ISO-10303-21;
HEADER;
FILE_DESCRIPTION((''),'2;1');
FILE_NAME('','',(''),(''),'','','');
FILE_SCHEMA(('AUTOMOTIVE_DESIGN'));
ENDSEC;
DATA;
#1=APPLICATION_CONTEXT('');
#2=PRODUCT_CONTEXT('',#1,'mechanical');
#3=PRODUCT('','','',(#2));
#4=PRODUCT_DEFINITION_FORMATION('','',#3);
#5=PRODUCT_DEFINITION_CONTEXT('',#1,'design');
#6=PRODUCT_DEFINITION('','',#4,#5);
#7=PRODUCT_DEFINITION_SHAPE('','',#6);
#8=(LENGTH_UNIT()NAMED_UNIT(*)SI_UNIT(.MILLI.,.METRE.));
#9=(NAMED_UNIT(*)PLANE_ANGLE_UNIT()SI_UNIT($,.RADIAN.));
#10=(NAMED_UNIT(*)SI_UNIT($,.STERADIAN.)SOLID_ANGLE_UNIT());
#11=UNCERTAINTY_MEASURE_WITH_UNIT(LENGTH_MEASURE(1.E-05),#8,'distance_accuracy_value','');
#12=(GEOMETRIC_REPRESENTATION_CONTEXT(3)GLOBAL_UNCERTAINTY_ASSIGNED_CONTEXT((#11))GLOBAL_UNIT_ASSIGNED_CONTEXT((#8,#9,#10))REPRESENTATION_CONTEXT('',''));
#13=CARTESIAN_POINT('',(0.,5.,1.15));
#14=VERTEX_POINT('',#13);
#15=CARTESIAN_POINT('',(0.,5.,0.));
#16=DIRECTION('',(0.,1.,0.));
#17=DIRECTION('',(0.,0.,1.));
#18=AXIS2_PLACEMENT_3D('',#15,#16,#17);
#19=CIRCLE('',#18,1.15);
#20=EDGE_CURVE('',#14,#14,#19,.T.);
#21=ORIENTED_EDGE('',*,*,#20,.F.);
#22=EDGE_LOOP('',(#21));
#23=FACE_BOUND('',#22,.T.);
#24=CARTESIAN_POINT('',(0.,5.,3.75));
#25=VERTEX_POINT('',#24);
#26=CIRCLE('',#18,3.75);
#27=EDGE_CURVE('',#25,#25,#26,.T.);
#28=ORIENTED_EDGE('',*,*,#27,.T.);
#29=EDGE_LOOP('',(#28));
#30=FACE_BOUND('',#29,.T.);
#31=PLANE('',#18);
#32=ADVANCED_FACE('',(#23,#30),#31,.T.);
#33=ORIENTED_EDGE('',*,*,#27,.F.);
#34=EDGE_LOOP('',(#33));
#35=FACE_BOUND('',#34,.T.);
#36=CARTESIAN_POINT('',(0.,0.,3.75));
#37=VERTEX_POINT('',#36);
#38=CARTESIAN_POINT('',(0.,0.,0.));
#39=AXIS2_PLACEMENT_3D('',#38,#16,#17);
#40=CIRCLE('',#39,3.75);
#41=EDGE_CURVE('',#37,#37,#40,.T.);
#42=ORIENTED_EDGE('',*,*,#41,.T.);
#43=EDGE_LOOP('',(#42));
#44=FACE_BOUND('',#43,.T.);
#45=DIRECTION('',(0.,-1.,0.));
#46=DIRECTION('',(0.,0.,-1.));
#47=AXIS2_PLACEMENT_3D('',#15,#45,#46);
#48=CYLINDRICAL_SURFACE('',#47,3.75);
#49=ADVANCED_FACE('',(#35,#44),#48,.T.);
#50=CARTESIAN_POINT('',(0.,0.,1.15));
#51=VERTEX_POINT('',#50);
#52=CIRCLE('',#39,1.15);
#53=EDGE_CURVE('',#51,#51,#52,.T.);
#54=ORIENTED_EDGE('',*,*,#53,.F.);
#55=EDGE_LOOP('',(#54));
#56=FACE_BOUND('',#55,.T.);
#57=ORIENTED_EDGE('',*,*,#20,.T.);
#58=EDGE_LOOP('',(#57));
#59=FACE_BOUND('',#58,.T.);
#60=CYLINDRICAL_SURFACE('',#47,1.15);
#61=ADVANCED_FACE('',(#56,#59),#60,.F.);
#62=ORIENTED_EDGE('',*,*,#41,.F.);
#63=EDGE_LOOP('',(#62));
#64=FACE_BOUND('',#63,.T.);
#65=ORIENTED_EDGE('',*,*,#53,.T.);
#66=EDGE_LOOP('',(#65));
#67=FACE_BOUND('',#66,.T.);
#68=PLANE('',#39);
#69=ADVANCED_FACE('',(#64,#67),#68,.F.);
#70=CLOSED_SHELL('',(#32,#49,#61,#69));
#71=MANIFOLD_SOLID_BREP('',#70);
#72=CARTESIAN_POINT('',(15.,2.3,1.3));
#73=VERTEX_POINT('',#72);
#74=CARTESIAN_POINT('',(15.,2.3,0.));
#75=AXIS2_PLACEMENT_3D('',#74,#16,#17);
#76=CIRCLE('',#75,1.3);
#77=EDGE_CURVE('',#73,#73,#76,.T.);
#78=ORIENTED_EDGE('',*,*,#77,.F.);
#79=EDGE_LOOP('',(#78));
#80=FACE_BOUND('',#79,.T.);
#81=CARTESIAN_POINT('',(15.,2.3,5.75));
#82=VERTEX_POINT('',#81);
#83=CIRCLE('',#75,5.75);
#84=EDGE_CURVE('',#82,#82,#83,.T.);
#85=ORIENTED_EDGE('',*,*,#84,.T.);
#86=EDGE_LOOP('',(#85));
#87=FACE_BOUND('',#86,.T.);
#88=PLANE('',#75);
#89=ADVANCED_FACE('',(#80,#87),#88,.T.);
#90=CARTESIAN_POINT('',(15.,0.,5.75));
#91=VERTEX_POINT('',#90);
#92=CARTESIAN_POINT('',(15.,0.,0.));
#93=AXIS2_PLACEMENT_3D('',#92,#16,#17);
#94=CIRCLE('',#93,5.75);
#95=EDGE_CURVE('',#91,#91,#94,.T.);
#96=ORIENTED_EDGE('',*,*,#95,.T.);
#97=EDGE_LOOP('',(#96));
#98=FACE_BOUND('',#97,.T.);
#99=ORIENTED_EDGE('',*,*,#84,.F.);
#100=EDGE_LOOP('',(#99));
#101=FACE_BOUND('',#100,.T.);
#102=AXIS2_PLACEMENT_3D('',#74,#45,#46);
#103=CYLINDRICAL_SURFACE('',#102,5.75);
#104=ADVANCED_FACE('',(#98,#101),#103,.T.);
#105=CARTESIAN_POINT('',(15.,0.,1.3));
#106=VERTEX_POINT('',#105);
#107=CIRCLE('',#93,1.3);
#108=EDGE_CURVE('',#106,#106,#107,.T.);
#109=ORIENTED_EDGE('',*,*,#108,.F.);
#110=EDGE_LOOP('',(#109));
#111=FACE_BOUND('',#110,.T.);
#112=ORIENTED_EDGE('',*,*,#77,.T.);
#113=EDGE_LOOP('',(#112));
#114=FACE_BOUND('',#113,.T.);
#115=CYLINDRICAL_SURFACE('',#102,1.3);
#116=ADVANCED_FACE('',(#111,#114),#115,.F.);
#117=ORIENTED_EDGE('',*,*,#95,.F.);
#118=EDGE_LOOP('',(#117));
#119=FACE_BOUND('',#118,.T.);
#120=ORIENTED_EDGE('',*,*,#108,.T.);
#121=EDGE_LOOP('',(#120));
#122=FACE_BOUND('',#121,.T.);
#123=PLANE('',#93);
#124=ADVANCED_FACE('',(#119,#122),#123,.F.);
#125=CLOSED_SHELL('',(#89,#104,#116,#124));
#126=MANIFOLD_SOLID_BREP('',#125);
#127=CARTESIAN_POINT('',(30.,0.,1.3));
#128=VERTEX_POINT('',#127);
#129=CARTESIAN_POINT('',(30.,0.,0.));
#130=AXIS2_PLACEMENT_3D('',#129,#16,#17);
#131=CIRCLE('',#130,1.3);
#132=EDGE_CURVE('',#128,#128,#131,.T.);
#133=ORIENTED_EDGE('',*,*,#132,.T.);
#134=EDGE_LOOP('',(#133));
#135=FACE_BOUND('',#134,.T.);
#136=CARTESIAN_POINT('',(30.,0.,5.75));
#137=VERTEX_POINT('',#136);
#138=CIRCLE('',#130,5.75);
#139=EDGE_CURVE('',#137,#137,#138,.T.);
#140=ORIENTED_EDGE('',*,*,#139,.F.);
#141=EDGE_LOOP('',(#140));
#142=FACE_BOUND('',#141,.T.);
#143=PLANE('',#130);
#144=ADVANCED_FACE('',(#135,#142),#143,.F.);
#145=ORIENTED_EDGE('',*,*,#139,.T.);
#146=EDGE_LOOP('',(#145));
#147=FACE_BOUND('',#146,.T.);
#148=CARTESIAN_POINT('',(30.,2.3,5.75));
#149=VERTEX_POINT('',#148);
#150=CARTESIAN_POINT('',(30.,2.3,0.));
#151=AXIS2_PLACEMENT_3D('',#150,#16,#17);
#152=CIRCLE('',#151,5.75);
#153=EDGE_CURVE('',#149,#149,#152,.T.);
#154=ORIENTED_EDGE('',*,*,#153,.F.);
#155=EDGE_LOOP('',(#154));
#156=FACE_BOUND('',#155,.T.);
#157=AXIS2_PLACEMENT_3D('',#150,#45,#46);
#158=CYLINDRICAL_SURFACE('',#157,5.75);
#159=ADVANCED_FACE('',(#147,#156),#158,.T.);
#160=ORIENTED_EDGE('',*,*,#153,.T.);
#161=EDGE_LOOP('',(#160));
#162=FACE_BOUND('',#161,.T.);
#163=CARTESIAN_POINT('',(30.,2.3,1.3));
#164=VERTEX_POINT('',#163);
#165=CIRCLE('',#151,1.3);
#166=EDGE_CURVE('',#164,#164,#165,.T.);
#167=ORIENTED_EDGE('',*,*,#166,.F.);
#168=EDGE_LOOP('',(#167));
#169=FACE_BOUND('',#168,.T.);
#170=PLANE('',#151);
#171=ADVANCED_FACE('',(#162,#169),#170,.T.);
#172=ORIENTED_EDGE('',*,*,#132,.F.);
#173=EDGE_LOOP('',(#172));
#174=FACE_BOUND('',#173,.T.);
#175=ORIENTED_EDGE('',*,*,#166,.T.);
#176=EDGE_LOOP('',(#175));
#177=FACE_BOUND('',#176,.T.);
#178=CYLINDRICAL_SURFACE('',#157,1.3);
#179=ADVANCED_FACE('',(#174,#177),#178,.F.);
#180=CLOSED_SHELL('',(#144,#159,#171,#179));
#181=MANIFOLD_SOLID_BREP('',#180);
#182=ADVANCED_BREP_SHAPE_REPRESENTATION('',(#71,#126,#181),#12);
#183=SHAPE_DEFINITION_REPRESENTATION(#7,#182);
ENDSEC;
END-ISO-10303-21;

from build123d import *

# Parameters (mm, degrees)
SKETCH1_R             = 3.75
SKETCH1_R_2           = 1.15
BOSS_EXTRUDE1_DEPTH   = 5
SKETCH2_R             = 5.75
SKETCH2_R_2           = 1.3
BOSS_EXTRUDE2_DEPTH   = 2.3
BOSS_EXTRUDE2_2_DEPTH = 2.3


with BuildPart() as part:
    # Sketch1 → Boss-Extrude1 (new body)
    with BuildSketch(Plane(origin=(0, 0, 0), x_dir=(1, 0, 0), z_dir=(0, 1, 0))):
        Circle(SKETCH1_R)
        Circle(SKETCH1_R_2, mode=Mode.SUBTRACT)
    extrude(amount=BOSS_EXTRUDE1_DEPTH)


with BuildPart() as body_2:
    # Sketch2 → Boss-Extrude2 (new body)
    with BuildSketch(Plane(origin=(0, 0, 0), x_dir=(1, 0, 0), z_dir=(0, 1, 0))):
        with Locations((15, 0)):
            Circle(SKETCH2_R)
        with Locations((15, 0)):
            Circle(SKETCH2_R_2, mode=Mode.SUBTRACT)
    extrude(amount=BOSS_EXTRUDE2_DEPTH)


with BuildPart() as body_3:
    # Sketch2 → Boss-Extrude2 2 (new body)
    with BuildSketch(Plane(origin=(0, 0, 0), x_dir=(1, 0, 0), z_dir=(0, 1, 0))):
        with Locations((30, 0)):
            Circle(SKETCH2_R)
        with Locations((30, 0)):
            Circle(SKETCH2_R_2, mode=Mode.SUBTRACT)
    extrude(amount=BOSS_EXTRUDE2_2_DEPTH)


solid = Compound([part.part, body_2.part, body_3.part])
